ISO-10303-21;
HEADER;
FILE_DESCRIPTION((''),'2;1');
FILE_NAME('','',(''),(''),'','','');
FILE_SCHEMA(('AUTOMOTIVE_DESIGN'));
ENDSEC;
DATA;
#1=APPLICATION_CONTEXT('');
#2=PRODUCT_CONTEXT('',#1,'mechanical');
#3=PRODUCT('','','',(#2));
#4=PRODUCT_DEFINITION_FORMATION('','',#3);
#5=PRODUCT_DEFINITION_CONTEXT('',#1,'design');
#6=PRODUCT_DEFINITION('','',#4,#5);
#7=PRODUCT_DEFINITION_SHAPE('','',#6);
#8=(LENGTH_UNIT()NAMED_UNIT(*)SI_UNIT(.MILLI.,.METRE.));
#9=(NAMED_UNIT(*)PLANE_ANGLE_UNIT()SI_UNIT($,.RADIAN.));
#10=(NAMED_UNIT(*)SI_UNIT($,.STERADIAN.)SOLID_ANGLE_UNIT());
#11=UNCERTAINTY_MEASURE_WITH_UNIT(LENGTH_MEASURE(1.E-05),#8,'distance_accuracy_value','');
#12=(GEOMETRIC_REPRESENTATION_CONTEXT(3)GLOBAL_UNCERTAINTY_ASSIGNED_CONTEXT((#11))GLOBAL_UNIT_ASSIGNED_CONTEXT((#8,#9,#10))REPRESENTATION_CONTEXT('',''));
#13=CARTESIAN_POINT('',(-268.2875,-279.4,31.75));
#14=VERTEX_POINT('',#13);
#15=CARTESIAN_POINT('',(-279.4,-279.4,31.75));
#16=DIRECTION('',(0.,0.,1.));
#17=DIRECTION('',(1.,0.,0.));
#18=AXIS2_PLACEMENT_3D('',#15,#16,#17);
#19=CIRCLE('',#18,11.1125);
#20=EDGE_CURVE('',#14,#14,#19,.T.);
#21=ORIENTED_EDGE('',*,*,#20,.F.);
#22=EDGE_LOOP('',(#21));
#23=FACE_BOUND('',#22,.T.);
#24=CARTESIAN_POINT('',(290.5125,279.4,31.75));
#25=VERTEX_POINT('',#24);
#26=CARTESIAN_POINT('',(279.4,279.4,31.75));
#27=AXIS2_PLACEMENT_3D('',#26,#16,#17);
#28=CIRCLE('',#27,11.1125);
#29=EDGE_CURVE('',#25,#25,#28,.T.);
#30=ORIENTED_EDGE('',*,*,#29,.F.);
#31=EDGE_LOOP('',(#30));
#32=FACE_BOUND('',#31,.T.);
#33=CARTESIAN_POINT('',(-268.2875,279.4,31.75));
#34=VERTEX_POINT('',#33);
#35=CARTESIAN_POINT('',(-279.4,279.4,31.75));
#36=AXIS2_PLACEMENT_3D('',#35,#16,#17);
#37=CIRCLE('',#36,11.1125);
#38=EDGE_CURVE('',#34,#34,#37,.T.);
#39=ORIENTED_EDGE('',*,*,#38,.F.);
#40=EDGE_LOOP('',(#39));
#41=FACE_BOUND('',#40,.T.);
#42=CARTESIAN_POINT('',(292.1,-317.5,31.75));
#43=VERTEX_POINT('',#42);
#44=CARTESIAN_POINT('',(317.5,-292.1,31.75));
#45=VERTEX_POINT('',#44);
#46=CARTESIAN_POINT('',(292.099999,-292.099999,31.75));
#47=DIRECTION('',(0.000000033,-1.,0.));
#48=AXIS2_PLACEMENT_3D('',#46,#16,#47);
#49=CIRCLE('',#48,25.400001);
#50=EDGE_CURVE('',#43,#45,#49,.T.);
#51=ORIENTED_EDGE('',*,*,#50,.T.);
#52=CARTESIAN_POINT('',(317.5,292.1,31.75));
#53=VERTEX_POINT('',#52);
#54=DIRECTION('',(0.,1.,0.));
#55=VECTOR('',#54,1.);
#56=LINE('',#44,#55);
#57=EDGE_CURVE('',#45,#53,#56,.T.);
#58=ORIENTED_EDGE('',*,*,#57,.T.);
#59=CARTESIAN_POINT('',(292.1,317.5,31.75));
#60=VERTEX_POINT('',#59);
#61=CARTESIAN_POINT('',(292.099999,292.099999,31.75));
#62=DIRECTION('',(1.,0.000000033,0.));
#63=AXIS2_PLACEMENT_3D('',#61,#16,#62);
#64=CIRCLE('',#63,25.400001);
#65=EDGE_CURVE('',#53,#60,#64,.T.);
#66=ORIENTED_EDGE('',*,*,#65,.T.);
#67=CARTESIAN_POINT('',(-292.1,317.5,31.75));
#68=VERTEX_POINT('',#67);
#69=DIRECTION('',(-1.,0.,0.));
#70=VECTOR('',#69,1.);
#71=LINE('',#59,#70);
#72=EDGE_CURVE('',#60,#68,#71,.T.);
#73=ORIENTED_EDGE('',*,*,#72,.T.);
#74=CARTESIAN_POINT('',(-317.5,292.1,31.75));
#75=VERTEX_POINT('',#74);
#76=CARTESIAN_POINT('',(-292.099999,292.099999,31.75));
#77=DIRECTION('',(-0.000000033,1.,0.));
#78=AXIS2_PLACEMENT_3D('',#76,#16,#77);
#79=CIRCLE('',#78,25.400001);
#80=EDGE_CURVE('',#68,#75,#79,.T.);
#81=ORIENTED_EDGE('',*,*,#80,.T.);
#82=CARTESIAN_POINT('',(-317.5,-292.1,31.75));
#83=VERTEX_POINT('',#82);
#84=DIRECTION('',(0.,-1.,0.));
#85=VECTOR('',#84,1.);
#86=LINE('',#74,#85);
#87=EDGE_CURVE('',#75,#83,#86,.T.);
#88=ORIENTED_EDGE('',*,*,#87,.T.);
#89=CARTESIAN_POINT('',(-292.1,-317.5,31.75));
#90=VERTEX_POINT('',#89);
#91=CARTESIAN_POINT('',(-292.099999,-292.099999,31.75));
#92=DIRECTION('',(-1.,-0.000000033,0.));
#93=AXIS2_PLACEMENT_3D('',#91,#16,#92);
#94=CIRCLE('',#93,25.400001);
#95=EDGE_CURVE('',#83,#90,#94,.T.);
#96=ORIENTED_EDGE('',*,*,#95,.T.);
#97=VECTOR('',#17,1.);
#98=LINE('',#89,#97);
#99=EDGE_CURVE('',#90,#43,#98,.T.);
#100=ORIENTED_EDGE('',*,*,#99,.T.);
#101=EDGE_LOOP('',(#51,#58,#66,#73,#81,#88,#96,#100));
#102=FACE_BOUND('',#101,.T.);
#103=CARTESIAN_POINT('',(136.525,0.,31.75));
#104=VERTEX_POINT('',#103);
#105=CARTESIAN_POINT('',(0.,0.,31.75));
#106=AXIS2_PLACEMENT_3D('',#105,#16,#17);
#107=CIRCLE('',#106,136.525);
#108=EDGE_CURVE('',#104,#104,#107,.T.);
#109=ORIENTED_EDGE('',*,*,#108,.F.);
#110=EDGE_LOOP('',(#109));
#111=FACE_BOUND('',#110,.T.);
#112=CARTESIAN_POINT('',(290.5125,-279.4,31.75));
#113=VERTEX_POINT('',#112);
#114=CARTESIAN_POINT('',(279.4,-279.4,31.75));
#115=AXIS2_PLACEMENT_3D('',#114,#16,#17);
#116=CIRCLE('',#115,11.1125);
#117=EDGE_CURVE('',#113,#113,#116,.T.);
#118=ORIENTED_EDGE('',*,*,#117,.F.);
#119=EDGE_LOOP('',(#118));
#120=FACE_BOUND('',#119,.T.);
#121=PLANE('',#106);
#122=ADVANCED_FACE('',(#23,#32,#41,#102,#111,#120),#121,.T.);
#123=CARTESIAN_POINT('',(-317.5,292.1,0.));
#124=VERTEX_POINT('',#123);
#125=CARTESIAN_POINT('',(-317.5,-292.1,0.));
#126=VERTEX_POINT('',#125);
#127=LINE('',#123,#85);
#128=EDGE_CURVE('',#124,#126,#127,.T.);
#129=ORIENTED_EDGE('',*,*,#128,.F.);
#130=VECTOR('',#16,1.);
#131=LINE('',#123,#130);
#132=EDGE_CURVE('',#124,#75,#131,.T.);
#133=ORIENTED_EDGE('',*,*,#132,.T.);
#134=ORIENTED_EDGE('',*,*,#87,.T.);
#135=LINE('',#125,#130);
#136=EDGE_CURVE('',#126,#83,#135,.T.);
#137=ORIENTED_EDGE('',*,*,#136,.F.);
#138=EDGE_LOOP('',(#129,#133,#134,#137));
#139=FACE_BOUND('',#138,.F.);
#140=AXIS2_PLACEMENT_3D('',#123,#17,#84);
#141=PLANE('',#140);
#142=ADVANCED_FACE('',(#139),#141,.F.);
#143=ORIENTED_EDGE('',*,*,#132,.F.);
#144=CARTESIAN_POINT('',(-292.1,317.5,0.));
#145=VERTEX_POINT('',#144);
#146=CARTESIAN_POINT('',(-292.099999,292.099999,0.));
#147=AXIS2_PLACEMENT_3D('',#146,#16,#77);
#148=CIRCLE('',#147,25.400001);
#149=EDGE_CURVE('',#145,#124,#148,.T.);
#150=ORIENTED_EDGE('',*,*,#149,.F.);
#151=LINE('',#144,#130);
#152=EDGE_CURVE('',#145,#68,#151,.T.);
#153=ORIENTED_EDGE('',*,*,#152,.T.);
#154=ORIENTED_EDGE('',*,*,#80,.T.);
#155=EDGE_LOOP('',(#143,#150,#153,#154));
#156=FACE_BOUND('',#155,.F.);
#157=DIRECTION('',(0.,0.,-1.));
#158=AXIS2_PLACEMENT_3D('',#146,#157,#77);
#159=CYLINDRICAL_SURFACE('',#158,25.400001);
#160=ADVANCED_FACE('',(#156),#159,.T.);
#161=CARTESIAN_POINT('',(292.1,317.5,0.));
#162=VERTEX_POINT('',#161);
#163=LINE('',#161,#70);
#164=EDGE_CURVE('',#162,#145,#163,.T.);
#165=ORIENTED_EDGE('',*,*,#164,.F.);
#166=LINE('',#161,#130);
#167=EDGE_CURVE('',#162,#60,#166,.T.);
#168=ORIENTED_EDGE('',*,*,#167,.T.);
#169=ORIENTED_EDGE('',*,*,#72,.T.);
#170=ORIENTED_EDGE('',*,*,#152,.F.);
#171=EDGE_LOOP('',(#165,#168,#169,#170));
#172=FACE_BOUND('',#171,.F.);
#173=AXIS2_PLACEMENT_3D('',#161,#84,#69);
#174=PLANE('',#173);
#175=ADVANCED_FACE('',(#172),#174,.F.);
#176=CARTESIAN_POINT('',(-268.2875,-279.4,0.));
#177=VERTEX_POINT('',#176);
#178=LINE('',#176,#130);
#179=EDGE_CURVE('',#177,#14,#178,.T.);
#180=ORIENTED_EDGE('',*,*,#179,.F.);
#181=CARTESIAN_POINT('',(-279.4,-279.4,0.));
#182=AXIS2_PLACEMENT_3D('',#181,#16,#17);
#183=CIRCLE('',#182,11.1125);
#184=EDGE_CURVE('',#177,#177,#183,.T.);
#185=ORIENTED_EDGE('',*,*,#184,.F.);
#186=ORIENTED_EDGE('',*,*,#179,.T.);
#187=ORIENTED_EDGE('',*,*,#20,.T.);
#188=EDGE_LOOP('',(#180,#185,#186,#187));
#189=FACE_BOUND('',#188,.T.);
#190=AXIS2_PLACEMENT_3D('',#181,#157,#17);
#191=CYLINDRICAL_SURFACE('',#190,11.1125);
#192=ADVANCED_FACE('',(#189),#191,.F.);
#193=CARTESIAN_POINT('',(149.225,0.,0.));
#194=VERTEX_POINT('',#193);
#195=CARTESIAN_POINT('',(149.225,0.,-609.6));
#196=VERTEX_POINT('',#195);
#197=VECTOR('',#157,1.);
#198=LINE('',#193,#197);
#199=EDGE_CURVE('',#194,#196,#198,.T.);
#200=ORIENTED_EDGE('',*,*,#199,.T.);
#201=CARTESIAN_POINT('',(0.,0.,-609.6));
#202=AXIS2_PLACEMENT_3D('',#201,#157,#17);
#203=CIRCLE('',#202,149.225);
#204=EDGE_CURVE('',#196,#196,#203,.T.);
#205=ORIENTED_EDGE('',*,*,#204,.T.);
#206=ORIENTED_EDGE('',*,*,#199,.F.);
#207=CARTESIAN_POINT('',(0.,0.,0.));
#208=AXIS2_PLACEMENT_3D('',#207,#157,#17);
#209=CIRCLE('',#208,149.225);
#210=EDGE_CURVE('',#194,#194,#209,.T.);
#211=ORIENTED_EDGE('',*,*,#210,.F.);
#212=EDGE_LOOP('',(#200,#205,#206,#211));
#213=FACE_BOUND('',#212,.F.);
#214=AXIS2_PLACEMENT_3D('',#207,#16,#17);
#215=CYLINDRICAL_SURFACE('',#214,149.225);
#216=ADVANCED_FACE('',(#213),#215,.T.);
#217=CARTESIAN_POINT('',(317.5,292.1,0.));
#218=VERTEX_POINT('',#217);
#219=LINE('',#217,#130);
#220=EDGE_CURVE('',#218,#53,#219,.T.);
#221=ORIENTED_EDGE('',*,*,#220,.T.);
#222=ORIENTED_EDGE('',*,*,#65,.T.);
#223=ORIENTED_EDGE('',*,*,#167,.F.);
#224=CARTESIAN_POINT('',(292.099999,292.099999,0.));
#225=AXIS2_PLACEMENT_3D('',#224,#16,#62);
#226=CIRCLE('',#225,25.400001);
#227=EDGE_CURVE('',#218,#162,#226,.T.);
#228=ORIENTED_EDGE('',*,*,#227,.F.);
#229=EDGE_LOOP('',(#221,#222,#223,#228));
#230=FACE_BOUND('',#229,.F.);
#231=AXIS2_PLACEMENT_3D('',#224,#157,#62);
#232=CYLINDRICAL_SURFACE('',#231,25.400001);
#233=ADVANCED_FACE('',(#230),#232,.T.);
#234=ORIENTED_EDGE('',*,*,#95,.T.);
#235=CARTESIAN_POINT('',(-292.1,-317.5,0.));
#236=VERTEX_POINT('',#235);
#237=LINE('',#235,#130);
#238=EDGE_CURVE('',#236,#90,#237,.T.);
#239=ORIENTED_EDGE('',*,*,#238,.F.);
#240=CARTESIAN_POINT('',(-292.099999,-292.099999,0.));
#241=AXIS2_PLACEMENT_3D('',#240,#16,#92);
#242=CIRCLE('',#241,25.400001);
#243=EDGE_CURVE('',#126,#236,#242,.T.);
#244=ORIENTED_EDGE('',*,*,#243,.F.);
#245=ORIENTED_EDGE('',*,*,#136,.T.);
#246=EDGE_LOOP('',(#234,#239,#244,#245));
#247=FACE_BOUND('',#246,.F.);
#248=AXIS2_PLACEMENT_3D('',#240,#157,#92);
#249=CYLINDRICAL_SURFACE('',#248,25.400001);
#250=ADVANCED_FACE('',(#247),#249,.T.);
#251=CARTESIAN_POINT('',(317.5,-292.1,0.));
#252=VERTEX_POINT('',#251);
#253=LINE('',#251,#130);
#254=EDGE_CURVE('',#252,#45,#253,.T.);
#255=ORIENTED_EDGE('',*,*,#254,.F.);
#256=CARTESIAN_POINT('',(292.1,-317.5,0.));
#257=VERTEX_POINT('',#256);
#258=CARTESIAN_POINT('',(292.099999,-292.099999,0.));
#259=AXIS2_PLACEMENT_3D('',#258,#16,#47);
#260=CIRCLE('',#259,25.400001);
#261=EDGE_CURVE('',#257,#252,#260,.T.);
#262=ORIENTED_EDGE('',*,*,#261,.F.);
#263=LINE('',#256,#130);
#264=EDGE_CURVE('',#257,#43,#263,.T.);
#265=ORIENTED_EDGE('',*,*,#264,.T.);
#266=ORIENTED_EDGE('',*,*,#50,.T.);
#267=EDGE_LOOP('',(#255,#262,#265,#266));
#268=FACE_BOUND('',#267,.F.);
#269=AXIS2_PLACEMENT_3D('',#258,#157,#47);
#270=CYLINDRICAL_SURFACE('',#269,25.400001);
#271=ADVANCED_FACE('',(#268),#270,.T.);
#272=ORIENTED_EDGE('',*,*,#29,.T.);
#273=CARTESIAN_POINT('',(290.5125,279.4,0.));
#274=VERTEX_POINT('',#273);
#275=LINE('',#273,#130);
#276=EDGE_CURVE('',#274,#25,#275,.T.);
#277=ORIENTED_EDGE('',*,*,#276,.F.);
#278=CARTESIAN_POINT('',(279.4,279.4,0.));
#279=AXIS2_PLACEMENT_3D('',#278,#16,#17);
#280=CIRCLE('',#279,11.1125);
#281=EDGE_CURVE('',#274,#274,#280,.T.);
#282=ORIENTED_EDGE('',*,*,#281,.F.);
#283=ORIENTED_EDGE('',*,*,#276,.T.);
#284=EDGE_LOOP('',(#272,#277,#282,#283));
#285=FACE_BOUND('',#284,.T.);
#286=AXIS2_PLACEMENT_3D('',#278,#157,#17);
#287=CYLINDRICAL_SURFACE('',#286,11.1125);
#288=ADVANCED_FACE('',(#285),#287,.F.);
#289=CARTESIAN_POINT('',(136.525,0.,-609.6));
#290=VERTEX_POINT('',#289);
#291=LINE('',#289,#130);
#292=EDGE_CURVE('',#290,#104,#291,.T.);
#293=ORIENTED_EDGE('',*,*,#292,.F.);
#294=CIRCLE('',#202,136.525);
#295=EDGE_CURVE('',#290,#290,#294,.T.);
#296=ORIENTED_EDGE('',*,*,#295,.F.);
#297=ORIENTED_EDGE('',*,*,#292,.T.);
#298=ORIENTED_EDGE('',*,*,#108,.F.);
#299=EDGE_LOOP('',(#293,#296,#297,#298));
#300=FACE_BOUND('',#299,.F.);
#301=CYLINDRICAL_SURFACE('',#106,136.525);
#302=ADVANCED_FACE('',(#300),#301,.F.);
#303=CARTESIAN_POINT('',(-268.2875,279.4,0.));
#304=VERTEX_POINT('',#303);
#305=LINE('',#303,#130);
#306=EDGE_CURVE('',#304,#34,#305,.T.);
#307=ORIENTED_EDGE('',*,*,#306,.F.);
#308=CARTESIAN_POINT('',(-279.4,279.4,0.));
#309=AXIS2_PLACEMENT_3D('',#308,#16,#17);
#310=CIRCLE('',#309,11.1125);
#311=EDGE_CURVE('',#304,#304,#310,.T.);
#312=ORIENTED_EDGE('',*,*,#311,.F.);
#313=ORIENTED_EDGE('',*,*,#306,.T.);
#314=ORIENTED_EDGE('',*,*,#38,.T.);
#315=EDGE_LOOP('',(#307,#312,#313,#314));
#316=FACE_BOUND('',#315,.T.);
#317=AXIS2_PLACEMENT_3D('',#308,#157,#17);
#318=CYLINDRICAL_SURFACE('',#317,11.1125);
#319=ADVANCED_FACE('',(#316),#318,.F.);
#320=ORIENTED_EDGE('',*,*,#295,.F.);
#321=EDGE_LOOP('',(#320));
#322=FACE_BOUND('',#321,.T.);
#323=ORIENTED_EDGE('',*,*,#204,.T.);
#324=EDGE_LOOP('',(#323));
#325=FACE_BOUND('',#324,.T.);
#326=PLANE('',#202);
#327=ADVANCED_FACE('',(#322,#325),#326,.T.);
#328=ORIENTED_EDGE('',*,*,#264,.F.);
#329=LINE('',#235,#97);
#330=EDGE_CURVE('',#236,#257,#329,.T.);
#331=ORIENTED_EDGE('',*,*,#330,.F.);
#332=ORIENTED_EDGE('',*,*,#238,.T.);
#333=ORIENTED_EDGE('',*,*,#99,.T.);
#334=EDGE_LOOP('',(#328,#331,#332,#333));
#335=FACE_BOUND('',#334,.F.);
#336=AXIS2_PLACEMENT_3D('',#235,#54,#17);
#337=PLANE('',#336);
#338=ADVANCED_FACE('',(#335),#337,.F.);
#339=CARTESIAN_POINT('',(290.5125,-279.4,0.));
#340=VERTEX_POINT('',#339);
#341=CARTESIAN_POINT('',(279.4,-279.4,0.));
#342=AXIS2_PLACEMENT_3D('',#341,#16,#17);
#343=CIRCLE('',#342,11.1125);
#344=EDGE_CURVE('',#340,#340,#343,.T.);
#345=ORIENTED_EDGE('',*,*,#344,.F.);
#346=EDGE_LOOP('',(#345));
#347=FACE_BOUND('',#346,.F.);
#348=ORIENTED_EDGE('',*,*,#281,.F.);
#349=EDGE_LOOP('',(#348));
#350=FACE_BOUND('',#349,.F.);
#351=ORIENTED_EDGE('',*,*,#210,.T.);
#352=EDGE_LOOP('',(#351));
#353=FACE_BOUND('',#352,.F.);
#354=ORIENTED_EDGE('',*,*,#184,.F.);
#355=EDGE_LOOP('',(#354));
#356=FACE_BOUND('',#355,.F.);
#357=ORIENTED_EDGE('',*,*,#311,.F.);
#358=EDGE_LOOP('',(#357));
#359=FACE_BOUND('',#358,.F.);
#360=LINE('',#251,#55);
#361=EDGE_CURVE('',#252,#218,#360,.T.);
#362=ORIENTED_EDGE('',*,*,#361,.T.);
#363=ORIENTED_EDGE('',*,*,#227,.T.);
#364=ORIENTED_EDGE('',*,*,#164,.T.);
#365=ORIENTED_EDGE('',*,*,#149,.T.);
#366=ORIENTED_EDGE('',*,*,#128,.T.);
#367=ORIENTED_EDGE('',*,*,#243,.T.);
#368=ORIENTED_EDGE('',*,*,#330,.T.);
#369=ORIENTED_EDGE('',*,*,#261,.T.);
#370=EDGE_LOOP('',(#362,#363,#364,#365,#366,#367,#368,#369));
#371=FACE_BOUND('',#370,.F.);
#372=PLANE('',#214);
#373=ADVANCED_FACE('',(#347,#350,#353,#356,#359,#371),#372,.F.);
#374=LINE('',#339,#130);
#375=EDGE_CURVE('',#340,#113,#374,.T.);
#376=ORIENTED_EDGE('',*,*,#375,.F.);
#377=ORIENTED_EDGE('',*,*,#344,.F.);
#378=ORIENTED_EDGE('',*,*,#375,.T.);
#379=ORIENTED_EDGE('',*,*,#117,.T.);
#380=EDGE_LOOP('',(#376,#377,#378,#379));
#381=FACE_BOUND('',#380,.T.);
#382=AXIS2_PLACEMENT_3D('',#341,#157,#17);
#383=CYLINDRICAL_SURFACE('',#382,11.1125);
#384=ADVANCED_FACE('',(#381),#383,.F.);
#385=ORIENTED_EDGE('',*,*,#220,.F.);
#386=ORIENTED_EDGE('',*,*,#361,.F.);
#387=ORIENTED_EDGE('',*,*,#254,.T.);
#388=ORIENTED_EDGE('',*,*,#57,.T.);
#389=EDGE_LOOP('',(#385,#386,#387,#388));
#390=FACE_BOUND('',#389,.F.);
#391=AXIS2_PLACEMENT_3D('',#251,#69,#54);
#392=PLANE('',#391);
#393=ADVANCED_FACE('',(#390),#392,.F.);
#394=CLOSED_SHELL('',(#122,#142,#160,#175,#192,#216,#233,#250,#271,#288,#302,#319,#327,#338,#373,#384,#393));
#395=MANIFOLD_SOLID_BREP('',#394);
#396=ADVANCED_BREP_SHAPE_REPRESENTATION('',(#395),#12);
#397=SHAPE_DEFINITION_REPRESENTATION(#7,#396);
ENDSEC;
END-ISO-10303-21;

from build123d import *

# Parameters (mm, degrees)
F0_R     = 11.1125
F1_DEPTH = 31.75
F2_R     = 149.225
F2_R_2   = 136.525
F3_DEPTH = 609.6
F4_R     = 136.525
F5_DEPTH = 50.8


with BuildPart() as f1:
    # F0 (on Top) → F1 (new body)
    with BuildSketch(Plane.XY):
        with BuildLine():
            ThreePointArc((317.5, 292.1), (310.060512, 310.060512), (292.1, 317.5))
            Line((292.1, 317.5), (-292.1, 317.5))
            ThreePointArc((-292.1, 317.5), (-310.060512, 310.060512), (-317.5, 292.1))
            Line((-317.5, 292.1), (-317.5, -292.1))
            ThreePointArc((-317.5, -292.1), (-310.060512, -310.060512), (-292.1, -317.5))
            Line((-292.1, -317.5), (292.1, -317.5))
            ThreePointArc((292.1, -317.5), (310.060512, -310.060512), (317.5, -292.1))
            Line((317.5, -292.1), (317.5, 292.1))
        make_face()
        with Locations((-279.4, -279.4)):
            Circle(F0_R, mode=Mode.SUBTRACT)
        with Locations((279.4, -279.4)):
            Circle(F0_R, mode=Mode.SUBTRACT)
        with Locations((-279.4, 279.4)):
            Circle(F0_R, mode=Mode.SUBTRACT)
        with Locations((279.4, 279.4)):
            Circle(F0_R, mode=Mode.SUBTRACT)
    extrude(amount=F1_DEPTH)

    # F2 (on face) → F3 (join)
    with BuildSketch(Plane(origin=(0, 0, 0), x_dir=(1, 0, 0), z_dir=(0, 0, -1))):
        Circle(F2_R)
        Circle(F2_R_2, mode=Mode.SUBTRACT)
    extrude(amount=F3_DEPTH)

    # F4 (on face) → F5 (cut)
    with BuildSketch(Plane.XY.offset(31.75)):
        Circle(F4_R)
    extrude(amount=-F5_DEPTH, mode=Mode.SUBTRACT)


solid = f1.part
